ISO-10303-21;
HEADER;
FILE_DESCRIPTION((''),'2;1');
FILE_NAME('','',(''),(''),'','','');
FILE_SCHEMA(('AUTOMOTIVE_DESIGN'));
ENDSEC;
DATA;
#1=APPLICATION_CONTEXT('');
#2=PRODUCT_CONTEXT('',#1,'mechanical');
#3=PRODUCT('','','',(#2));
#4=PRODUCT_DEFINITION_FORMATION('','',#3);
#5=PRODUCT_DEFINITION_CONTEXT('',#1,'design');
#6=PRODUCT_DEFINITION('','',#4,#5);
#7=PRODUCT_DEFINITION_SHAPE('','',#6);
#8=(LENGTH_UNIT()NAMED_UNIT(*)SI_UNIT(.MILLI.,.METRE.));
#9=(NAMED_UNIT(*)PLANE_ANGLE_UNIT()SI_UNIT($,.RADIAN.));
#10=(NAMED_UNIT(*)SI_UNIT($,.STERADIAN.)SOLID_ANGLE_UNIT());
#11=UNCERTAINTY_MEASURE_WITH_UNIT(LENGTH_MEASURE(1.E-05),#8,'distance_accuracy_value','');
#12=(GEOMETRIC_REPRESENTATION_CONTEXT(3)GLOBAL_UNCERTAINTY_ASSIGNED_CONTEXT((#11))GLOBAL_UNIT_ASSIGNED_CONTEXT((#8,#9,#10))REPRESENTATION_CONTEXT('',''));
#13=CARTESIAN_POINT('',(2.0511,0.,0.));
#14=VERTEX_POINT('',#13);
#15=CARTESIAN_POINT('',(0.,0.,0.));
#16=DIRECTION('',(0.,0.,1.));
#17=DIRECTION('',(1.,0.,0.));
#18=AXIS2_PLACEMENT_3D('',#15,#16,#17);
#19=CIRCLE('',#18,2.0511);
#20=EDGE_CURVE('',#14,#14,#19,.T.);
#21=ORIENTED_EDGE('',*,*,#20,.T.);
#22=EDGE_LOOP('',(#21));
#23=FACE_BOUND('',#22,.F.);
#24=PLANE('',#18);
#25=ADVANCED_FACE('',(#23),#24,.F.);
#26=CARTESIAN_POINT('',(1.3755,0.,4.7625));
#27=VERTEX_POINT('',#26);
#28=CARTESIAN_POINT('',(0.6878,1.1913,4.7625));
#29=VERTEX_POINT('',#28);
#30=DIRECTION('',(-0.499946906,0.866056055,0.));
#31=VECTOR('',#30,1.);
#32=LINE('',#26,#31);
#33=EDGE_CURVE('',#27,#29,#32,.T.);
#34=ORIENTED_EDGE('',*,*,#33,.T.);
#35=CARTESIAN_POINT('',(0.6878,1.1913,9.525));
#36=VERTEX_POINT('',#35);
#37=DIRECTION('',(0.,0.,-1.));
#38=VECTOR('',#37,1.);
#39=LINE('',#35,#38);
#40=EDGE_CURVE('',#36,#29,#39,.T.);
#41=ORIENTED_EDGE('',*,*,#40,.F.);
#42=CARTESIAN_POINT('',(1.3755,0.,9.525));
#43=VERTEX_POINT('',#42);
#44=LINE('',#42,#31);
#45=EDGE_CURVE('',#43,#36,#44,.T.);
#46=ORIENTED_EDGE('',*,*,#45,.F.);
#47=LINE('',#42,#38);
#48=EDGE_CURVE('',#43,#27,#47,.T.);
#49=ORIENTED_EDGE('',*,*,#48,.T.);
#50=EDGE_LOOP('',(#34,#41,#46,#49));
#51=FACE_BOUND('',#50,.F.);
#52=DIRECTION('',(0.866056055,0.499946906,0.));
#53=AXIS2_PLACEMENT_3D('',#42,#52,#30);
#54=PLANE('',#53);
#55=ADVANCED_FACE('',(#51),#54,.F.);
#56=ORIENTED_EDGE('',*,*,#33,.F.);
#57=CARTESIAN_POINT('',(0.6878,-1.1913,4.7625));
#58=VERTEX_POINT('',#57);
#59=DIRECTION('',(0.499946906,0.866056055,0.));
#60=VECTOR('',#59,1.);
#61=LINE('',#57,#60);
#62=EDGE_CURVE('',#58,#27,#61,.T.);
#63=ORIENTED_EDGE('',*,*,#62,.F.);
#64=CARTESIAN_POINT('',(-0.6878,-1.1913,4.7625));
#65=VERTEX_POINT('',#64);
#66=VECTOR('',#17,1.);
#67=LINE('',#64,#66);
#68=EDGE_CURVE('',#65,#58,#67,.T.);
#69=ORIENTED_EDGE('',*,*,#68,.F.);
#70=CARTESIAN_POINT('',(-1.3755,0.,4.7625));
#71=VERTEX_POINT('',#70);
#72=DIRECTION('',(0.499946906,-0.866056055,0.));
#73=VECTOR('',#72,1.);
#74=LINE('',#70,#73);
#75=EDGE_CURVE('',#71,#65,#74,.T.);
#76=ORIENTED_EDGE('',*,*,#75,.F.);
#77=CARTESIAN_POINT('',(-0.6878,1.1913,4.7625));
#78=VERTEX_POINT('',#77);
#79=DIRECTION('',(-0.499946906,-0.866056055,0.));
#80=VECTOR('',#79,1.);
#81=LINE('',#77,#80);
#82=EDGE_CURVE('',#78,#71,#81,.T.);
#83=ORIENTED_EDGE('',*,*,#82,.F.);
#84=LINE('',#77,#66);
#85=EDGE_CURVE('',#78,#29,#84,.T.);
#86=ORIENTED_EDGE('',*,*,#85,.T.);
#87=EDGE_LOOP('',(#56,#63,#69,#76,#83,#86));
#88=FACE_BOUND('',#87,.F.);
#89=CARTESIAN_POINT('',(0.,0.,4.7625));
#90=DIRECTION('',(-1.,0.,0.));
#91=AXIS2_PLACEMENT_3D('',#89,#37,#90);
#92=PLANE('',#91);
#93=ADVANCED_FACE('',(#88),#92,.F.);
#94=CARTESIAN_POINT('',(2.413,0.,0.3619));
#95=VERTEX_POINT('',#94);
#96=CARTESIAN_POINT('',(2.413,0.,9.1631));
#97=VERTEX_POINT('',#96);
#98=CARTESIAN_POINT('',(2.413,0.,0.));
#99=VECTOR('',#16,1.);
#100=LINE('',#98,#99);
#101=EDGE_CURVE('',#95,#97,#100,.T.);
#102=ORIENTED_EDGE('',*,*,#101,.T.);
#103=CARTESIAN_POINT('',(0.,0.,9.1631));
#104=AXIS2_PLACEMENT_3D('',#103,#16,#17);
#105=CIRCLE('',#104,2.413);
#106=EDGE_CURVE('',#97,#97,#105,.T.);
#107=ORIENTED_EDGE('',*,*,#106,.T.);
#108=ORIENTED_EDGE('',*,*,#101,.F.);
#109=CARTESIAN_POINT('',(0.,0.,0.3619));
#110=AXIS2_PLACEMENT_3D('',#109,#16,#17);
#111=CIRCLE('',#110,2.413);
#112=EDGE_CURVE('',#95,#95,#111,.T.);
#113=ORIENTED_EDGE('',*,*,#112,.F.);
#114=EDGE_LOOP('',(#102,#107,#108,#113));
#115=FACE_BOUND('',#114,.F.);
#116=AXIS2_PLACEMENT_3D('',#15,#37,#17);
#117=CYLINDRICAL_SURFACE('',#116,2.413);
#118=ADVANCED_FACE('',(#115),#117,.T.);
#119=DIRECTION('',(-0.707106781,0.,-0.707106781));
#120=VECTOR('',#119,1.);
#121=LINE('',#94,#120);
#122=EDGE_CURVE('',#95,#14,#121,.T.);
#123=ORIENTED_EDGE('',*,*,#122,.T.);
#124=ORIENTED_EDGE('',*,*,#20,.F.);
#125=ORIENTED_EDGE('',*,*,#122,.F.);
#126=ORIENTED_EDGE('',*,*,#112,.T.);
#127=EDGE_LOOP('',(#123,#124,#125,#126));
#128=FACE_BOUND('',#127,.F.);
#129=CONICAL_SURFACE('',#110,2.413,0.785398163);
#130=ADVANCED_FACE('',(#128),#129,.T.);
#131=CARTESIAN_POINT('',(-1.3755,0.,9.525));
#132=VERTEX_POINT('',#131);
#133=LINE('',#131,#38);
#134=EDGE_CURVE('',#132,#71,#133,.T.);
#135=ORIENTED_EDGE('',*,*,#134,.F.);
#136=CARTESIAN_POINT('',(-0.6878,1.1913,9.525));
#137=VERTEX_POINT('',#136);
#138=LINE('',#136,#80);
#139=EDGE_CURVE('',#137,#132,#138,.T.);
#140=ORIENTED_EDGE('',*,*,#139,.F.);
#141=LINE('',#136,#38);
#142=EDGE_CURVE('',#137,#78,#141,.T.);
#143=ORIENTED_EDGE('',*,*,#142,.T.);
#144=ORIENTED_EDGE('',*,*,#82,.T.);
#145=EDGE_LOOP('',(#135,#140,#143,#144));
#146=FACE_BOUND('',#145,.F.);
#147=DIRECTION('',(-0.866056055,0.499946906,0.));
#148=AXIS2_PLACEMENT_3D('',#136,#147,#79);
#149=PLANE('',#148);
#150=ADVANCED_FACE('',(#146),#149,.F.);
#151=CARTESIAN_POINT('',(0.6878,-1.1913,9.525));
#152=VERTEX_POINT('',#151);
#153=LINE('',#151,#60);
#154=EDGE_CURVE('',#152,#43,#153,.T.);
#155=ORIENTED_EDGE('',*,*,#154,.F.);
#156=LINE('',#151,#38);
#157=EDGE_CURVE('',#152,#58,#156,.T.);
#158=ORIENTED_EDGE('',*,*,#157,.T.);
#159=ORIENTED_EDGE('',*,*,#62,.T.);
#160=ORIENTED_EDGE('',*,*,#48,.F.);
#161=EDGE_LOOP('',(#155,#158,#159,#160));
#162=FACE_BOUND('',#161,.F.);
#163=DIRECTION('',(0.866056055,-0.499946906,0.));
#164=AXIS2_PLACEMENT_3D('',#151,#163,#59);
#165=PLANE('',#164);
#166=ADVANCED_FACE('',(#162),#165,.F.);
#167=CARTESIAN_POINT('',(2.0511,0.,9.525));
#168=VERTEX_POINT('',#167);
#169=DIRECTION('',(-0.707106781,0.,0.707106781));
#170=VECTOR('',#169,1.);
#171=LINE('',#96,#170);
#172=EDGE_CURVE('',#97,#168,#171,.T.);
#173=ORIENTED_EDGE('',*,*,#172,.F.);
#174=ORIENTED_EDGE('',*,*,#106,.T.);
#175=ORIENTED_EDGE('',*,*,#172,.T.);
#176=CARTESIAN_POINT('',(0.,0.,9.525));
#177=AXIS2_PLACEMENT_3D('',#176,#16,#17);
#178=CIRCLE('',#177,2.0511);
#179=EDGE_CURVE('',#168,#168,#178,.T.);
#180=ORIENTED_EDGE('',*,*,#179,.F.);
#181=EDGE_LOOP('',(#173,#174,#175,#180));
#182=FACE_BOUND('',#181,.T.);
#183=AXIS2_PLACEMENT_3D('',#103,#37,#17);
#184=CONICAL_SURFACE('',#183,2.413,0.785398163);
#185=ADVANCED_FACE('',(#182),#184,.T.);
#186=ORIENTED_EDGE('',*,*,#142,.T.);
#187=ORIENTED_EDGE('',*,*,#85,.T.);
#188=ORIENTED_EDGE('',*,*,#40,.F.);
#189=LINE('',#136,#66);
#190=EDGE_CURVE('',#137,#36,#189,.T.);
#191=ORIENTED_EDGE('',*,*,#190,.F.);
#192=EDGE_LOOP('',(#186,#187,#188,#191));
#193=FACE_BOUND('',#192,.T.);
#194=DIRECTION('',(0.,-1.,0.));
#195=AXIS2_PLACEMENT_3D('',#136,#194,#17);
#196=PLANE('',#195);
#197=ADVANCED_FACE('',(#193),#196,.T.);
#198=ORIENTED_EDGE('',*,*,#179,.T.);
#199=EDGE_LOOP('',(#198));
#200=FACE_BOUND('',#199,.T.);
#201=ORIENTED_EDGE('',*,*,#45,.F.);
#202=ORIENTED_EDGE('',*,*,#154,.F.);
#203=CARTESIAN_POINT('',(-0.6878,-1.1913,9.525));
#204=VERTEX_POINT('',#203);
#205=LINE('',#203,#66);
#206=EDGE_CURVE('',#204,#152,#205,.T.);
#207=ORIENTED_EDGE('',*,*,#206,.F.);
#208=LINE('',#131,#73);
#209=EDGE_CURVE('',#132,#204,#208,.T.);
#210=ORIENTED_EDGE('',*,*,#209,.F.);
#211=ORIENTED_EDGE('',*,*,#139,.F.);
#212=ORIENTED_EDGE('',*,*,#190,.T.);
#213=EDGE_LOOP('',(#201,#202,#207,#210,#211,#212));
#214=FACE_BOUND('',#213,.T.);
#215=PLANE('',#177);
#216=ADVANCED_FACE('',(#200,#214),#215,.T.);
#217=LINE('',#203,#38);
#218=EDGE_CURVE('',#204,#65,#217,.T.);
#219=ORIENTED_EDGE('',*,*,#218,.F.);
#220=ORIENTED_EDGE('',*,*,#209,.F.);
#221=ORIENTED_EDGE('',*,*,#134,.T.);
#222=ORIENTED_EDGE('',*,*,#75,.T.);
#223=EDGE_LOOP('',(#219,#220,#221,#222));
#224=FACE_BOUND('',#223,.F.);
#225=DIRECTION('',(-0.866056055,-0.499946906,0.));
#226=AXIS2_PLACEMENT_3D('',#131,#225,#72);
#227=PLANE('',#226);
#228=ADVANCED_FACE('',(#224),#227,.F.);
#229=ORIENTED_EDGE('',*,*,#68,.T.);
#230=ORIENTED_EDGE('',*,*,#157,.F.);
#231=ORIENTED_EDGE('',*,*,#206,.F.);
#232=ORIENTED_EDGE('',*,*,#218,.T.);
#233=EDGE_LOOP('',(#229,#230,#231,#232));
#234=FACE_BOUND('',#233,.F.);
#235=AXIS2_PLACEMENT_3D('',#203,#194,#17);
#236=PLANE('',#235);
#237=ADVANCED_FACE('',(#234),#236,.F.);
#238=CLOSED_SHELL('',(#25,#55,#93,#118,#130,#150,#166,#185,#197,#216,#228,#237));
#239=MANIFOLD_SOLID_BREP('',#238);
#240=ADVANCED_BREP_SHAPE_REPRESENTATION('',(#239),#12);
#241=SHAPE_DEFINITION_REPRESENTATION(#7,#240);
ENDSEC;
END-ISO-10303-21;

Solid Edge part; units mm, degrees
sketch "Sketch1" plane through (0, 0, 0) normal (0, 0, 1) x (1, 0, 0)
  circle A0 centre (0, 0) radius 2.413
  dimension "D1" = 4.826
extrude "Protrusion1" add sketch "Sketch1" along normal blind 9.525
chamfer "Chamfer1" distance 0.3619 angle 45 2 edges at (-2.413, 0, 0) (-2.413, 0, 9.525)
sketch "Sketch2" plane through (0, 0, 9.525) normal (0, 0, 1) x (1, 0, 0)
  line L0 (-0.6878, 1.1913) -> (0.6878, 1.1913)
  line L1 (1.3755, 0) -> (0.6878, 1.1913)
  line L2 (0.6878, -1.1913) -> (1.3755, 0)
  line L3 (-0.6878, -1.1913) -> (0.6878, -1.1913)
  line L4 (-1.3755, 0) -> (-0.6878, -1.1913)
  line L5 (-0.6878, 1.1913) -> (-1.3755, 0)
  dimension "D1" = 2.3825
extrude "Cutout1" cut sketch "Sketch2" against normal blind 4.7625
properties part number "24101633"
